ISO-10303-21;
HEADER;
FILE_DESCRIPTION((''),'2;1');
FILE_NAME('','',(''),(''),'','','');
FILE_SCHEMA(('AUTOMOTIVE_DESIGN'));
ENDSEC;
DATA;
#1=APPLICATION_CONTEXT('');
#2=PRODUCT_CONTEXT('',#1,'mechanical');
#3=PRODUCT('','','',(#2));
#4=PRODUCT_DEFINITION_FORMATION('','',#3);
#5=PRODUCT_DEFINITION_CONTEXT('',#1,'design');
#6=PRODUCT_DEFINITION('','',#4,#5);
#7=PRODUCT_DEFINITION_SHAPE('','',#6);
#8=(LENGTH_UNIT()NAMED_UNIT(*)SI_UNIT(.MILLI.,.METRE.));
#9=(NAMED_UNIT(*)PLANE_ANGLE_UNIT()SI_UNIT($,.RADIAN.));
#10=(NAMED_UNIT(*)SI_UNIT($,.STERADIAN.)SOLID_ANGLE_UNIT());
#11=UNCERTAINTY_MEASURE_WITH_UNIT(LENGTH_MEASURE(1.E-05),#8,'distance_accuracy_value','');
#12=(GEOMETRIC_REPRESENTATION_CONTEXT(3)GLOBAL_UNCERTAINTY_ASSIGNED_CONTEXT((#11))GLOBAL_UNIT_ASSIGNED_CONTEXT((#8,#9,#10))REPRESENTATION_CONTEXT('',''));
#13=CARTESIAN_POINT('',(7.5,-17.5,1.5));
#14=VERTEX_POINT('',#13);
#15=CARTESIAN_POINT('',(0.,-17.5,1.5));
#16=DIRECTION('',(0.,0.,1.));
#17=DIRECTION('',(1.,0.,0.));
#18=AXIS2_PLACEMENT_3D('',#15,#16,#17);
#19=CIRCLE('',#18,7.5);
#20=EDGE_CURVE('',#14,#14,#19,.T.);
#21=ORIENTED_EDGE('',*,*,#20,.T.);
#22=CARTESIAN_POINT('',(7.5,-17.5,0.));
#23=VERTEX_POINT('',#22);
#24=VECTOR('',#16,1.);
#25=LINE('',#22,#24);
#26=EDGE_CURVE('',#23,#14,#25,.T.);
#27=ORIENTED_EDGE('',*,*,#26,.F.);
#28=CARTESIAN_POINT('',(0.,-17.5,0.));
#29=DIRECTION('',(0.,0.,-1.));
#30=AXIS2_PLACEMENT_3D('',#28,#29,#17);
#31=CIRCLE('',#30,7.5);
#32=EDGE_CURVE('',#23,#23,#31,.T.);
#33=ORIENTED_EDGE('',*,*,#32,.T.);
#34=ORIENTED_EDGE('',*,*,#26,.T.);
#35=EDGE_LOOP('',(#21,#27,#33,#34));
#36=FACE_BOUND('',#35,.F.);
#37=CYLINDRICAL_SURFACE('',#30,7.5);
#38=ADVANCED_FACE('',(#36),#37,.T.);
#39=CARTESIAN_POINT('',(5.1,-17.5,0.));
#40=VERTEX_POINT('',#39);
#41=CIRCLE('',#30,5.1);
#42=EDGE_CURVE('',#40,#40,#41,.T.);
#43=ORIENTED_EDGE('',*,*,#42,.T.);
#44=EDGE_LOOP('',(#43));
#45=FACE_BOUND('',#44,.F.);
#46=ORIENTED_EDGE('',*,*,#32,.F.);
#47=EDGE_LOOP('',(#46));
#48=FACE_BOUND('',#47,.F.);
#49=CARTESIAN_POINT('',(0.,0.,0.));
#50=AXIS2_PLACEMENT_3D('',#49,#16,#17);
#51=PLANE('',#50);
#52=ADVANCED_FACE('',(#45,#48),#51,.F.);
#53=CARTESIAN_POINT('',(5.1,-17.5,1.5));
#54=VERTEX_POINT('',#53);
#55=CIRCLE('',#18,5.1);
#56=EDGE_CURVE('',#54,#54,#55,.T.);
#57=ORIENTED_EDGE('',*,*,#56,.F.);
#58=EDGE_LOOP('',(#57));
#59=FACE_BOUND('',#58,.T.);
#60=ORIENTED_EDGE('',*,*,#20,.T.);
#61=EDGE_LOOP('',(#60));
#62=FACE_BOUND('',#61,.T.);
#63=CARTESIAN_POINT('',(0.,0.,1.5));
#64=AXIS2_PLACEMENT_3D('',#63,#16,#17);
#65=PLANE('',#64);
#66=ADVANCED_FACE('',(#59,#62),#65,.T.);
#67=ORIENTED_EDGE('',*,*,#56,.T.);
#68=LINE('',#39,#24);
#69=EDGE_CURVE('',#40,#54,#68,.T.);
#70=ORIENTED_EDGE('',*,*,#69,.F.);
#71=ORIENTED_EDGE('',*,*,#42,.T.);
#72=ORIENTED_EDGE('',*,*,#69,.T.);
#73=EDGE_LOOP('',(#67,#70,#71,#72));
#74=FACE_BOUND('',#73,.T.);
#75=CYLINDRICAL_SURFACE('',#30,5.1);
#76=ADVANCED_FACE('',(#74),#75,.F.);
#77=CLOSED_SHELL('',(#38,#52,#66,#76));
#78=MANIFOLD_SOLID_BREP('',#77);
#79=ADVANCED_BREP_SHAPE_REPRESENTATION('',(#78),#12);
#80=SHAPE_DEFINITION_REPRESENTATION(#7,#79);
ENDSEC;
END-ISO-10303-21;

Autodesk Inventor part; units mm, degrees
ref_plane "YZ Plane" through (0, 0, 0) normal (1, 0, 0) x (0, 1, 0)
ref_plane "XZ Plane" through (0, 0, 0) normal (0, 1, 0) x (-1, 0, 0)
ref_plane "XY Plane" through (0, 0, 0) normal (0, 0, 1) x (1, 0, 0)
ref_plane "작업 평면1" through (0, 0, 0) normal (0, 0, 1) x (1, 0, 0)
sketch "스케치1" plane through (0, 0, 0) normal (0, 0, 1) x (1, 0, 0)
  circle A0 centre (-3, -27.5) radius 1.35 projected
  circle A1 centre (3, -27.5) radius 1.35 projected
  line L0 (4.4, -3.4094) -> (4.4, -19.8749) projected
  arc A2 (-4.4, -19.8749) -> (4.4, -19.8749) centre (0, -17.5) ccw projected
  line L1 (-4.4, -19.8749) -> (-4.4, -3.4094) projected
  arc A3 (4.4, -3.4094) -> (-4.4, -3.4094) centre (0, -5.7843) ccw projected
  circle A4 centre (0, 22.5) radius 4 projected
  arc A5 (-2.7698, 16.0713) -> (2.7698, 16.0713) centre (0, 22.5) ccw projected
  arc A6 (5.5454, 14.4845) -> (2.7698, 16.0713) centre (3.5611, 14.2345) ccw projected
  line L2 (5.5454, 14.4845) -> (6.9428, 3.3933) projected
  arc A7 (3.9674, 1.4062) -> (6.9428, 3.3933) centre (4.9585, 3.1433) ccw projected
  arc A8 (3.9674, 1.4062) -> (-3.9674, 1.4062) centre (0, -5.5476) ccw projected
  arc A9 (-6.9428, 3.3933) -> (-3.9674, 1.4062) centre (-4.9585, 3.1433) ccw projected
  line L3 (-6.9428, 3.3933) -> (-5.5454, 14.4845) projected
  arc A10 (-2.7698, 16.0713) -> (-5.5454, 14.4845) centre (-3.5611, 14.2345) ccw projected
  arc A11 (-12.5, -19.9495) -> (-9.6429, -26.948) centre (-2.5, -19.9495) ccw projected
  arc A12 (-9.6429, -26.948) -> (9.6429, -26.948) centre (0, -17.5) ccw projected
  arc A13 (9.6429, -26.948) -> (12.5, -19.9495) centre (2.5, -19.9495) ccw projected
  line L4 (12.5, -19.9495) -> (12.5, -17.5) projected
  arc A14 (12.5, -17.5) -> (12.402, -15.9375) centre (0, -17.5) ccw projected
  line L5 (7.4412, 23.4375) -> (12.402, -15.9375) projected
  arc A15 (7.4412, 23.4375) -> (-7.4412, 23.4375) centre (0, 22.5) ccw projected
  line L6 (-12.402, -15.9375) -> (-7.4412, 23.4375) projected
  arc A16 (-12.402, -15.9375) -> (-12.5, -17.5) centre (0, -17.5) ccw projected
  line L7 (-12.5, -17.5) -> (-12.5, -19.9495) projected
  circle A17 centre (0, -17.5) radius 3 projected
  line L8 (-4.4, -16.5566) -> (-4.4, -18.4434) projected
  arc A18 (-4.4, -18.4434) -> (4.4, -18.4434) centre (0, -17.5) ccw projected
  line L9 (4.4, -18.4434) -> (4.4, -16.5566) projected
  arc A19 (4.4, -16.5566) -> (-4.4, -16.5566) centre (0, -17.5) ccw projected
  circle A20 centre (0, -17.5) radius 5.1
  circle A21 centre (0, -17.5) radius 7.5
  point P0 (0, 0)
  dimension "d0" = 10.2
  dimension "d1" = 15
extrude "돌출1" add sketch "스케치1" along normal blind 1.5 contours A20 L1 A21 L0 | L0 A21 L1 A20
properties part number "Ubber_Washer_1.5mm" material "LCP 플라스틱"
